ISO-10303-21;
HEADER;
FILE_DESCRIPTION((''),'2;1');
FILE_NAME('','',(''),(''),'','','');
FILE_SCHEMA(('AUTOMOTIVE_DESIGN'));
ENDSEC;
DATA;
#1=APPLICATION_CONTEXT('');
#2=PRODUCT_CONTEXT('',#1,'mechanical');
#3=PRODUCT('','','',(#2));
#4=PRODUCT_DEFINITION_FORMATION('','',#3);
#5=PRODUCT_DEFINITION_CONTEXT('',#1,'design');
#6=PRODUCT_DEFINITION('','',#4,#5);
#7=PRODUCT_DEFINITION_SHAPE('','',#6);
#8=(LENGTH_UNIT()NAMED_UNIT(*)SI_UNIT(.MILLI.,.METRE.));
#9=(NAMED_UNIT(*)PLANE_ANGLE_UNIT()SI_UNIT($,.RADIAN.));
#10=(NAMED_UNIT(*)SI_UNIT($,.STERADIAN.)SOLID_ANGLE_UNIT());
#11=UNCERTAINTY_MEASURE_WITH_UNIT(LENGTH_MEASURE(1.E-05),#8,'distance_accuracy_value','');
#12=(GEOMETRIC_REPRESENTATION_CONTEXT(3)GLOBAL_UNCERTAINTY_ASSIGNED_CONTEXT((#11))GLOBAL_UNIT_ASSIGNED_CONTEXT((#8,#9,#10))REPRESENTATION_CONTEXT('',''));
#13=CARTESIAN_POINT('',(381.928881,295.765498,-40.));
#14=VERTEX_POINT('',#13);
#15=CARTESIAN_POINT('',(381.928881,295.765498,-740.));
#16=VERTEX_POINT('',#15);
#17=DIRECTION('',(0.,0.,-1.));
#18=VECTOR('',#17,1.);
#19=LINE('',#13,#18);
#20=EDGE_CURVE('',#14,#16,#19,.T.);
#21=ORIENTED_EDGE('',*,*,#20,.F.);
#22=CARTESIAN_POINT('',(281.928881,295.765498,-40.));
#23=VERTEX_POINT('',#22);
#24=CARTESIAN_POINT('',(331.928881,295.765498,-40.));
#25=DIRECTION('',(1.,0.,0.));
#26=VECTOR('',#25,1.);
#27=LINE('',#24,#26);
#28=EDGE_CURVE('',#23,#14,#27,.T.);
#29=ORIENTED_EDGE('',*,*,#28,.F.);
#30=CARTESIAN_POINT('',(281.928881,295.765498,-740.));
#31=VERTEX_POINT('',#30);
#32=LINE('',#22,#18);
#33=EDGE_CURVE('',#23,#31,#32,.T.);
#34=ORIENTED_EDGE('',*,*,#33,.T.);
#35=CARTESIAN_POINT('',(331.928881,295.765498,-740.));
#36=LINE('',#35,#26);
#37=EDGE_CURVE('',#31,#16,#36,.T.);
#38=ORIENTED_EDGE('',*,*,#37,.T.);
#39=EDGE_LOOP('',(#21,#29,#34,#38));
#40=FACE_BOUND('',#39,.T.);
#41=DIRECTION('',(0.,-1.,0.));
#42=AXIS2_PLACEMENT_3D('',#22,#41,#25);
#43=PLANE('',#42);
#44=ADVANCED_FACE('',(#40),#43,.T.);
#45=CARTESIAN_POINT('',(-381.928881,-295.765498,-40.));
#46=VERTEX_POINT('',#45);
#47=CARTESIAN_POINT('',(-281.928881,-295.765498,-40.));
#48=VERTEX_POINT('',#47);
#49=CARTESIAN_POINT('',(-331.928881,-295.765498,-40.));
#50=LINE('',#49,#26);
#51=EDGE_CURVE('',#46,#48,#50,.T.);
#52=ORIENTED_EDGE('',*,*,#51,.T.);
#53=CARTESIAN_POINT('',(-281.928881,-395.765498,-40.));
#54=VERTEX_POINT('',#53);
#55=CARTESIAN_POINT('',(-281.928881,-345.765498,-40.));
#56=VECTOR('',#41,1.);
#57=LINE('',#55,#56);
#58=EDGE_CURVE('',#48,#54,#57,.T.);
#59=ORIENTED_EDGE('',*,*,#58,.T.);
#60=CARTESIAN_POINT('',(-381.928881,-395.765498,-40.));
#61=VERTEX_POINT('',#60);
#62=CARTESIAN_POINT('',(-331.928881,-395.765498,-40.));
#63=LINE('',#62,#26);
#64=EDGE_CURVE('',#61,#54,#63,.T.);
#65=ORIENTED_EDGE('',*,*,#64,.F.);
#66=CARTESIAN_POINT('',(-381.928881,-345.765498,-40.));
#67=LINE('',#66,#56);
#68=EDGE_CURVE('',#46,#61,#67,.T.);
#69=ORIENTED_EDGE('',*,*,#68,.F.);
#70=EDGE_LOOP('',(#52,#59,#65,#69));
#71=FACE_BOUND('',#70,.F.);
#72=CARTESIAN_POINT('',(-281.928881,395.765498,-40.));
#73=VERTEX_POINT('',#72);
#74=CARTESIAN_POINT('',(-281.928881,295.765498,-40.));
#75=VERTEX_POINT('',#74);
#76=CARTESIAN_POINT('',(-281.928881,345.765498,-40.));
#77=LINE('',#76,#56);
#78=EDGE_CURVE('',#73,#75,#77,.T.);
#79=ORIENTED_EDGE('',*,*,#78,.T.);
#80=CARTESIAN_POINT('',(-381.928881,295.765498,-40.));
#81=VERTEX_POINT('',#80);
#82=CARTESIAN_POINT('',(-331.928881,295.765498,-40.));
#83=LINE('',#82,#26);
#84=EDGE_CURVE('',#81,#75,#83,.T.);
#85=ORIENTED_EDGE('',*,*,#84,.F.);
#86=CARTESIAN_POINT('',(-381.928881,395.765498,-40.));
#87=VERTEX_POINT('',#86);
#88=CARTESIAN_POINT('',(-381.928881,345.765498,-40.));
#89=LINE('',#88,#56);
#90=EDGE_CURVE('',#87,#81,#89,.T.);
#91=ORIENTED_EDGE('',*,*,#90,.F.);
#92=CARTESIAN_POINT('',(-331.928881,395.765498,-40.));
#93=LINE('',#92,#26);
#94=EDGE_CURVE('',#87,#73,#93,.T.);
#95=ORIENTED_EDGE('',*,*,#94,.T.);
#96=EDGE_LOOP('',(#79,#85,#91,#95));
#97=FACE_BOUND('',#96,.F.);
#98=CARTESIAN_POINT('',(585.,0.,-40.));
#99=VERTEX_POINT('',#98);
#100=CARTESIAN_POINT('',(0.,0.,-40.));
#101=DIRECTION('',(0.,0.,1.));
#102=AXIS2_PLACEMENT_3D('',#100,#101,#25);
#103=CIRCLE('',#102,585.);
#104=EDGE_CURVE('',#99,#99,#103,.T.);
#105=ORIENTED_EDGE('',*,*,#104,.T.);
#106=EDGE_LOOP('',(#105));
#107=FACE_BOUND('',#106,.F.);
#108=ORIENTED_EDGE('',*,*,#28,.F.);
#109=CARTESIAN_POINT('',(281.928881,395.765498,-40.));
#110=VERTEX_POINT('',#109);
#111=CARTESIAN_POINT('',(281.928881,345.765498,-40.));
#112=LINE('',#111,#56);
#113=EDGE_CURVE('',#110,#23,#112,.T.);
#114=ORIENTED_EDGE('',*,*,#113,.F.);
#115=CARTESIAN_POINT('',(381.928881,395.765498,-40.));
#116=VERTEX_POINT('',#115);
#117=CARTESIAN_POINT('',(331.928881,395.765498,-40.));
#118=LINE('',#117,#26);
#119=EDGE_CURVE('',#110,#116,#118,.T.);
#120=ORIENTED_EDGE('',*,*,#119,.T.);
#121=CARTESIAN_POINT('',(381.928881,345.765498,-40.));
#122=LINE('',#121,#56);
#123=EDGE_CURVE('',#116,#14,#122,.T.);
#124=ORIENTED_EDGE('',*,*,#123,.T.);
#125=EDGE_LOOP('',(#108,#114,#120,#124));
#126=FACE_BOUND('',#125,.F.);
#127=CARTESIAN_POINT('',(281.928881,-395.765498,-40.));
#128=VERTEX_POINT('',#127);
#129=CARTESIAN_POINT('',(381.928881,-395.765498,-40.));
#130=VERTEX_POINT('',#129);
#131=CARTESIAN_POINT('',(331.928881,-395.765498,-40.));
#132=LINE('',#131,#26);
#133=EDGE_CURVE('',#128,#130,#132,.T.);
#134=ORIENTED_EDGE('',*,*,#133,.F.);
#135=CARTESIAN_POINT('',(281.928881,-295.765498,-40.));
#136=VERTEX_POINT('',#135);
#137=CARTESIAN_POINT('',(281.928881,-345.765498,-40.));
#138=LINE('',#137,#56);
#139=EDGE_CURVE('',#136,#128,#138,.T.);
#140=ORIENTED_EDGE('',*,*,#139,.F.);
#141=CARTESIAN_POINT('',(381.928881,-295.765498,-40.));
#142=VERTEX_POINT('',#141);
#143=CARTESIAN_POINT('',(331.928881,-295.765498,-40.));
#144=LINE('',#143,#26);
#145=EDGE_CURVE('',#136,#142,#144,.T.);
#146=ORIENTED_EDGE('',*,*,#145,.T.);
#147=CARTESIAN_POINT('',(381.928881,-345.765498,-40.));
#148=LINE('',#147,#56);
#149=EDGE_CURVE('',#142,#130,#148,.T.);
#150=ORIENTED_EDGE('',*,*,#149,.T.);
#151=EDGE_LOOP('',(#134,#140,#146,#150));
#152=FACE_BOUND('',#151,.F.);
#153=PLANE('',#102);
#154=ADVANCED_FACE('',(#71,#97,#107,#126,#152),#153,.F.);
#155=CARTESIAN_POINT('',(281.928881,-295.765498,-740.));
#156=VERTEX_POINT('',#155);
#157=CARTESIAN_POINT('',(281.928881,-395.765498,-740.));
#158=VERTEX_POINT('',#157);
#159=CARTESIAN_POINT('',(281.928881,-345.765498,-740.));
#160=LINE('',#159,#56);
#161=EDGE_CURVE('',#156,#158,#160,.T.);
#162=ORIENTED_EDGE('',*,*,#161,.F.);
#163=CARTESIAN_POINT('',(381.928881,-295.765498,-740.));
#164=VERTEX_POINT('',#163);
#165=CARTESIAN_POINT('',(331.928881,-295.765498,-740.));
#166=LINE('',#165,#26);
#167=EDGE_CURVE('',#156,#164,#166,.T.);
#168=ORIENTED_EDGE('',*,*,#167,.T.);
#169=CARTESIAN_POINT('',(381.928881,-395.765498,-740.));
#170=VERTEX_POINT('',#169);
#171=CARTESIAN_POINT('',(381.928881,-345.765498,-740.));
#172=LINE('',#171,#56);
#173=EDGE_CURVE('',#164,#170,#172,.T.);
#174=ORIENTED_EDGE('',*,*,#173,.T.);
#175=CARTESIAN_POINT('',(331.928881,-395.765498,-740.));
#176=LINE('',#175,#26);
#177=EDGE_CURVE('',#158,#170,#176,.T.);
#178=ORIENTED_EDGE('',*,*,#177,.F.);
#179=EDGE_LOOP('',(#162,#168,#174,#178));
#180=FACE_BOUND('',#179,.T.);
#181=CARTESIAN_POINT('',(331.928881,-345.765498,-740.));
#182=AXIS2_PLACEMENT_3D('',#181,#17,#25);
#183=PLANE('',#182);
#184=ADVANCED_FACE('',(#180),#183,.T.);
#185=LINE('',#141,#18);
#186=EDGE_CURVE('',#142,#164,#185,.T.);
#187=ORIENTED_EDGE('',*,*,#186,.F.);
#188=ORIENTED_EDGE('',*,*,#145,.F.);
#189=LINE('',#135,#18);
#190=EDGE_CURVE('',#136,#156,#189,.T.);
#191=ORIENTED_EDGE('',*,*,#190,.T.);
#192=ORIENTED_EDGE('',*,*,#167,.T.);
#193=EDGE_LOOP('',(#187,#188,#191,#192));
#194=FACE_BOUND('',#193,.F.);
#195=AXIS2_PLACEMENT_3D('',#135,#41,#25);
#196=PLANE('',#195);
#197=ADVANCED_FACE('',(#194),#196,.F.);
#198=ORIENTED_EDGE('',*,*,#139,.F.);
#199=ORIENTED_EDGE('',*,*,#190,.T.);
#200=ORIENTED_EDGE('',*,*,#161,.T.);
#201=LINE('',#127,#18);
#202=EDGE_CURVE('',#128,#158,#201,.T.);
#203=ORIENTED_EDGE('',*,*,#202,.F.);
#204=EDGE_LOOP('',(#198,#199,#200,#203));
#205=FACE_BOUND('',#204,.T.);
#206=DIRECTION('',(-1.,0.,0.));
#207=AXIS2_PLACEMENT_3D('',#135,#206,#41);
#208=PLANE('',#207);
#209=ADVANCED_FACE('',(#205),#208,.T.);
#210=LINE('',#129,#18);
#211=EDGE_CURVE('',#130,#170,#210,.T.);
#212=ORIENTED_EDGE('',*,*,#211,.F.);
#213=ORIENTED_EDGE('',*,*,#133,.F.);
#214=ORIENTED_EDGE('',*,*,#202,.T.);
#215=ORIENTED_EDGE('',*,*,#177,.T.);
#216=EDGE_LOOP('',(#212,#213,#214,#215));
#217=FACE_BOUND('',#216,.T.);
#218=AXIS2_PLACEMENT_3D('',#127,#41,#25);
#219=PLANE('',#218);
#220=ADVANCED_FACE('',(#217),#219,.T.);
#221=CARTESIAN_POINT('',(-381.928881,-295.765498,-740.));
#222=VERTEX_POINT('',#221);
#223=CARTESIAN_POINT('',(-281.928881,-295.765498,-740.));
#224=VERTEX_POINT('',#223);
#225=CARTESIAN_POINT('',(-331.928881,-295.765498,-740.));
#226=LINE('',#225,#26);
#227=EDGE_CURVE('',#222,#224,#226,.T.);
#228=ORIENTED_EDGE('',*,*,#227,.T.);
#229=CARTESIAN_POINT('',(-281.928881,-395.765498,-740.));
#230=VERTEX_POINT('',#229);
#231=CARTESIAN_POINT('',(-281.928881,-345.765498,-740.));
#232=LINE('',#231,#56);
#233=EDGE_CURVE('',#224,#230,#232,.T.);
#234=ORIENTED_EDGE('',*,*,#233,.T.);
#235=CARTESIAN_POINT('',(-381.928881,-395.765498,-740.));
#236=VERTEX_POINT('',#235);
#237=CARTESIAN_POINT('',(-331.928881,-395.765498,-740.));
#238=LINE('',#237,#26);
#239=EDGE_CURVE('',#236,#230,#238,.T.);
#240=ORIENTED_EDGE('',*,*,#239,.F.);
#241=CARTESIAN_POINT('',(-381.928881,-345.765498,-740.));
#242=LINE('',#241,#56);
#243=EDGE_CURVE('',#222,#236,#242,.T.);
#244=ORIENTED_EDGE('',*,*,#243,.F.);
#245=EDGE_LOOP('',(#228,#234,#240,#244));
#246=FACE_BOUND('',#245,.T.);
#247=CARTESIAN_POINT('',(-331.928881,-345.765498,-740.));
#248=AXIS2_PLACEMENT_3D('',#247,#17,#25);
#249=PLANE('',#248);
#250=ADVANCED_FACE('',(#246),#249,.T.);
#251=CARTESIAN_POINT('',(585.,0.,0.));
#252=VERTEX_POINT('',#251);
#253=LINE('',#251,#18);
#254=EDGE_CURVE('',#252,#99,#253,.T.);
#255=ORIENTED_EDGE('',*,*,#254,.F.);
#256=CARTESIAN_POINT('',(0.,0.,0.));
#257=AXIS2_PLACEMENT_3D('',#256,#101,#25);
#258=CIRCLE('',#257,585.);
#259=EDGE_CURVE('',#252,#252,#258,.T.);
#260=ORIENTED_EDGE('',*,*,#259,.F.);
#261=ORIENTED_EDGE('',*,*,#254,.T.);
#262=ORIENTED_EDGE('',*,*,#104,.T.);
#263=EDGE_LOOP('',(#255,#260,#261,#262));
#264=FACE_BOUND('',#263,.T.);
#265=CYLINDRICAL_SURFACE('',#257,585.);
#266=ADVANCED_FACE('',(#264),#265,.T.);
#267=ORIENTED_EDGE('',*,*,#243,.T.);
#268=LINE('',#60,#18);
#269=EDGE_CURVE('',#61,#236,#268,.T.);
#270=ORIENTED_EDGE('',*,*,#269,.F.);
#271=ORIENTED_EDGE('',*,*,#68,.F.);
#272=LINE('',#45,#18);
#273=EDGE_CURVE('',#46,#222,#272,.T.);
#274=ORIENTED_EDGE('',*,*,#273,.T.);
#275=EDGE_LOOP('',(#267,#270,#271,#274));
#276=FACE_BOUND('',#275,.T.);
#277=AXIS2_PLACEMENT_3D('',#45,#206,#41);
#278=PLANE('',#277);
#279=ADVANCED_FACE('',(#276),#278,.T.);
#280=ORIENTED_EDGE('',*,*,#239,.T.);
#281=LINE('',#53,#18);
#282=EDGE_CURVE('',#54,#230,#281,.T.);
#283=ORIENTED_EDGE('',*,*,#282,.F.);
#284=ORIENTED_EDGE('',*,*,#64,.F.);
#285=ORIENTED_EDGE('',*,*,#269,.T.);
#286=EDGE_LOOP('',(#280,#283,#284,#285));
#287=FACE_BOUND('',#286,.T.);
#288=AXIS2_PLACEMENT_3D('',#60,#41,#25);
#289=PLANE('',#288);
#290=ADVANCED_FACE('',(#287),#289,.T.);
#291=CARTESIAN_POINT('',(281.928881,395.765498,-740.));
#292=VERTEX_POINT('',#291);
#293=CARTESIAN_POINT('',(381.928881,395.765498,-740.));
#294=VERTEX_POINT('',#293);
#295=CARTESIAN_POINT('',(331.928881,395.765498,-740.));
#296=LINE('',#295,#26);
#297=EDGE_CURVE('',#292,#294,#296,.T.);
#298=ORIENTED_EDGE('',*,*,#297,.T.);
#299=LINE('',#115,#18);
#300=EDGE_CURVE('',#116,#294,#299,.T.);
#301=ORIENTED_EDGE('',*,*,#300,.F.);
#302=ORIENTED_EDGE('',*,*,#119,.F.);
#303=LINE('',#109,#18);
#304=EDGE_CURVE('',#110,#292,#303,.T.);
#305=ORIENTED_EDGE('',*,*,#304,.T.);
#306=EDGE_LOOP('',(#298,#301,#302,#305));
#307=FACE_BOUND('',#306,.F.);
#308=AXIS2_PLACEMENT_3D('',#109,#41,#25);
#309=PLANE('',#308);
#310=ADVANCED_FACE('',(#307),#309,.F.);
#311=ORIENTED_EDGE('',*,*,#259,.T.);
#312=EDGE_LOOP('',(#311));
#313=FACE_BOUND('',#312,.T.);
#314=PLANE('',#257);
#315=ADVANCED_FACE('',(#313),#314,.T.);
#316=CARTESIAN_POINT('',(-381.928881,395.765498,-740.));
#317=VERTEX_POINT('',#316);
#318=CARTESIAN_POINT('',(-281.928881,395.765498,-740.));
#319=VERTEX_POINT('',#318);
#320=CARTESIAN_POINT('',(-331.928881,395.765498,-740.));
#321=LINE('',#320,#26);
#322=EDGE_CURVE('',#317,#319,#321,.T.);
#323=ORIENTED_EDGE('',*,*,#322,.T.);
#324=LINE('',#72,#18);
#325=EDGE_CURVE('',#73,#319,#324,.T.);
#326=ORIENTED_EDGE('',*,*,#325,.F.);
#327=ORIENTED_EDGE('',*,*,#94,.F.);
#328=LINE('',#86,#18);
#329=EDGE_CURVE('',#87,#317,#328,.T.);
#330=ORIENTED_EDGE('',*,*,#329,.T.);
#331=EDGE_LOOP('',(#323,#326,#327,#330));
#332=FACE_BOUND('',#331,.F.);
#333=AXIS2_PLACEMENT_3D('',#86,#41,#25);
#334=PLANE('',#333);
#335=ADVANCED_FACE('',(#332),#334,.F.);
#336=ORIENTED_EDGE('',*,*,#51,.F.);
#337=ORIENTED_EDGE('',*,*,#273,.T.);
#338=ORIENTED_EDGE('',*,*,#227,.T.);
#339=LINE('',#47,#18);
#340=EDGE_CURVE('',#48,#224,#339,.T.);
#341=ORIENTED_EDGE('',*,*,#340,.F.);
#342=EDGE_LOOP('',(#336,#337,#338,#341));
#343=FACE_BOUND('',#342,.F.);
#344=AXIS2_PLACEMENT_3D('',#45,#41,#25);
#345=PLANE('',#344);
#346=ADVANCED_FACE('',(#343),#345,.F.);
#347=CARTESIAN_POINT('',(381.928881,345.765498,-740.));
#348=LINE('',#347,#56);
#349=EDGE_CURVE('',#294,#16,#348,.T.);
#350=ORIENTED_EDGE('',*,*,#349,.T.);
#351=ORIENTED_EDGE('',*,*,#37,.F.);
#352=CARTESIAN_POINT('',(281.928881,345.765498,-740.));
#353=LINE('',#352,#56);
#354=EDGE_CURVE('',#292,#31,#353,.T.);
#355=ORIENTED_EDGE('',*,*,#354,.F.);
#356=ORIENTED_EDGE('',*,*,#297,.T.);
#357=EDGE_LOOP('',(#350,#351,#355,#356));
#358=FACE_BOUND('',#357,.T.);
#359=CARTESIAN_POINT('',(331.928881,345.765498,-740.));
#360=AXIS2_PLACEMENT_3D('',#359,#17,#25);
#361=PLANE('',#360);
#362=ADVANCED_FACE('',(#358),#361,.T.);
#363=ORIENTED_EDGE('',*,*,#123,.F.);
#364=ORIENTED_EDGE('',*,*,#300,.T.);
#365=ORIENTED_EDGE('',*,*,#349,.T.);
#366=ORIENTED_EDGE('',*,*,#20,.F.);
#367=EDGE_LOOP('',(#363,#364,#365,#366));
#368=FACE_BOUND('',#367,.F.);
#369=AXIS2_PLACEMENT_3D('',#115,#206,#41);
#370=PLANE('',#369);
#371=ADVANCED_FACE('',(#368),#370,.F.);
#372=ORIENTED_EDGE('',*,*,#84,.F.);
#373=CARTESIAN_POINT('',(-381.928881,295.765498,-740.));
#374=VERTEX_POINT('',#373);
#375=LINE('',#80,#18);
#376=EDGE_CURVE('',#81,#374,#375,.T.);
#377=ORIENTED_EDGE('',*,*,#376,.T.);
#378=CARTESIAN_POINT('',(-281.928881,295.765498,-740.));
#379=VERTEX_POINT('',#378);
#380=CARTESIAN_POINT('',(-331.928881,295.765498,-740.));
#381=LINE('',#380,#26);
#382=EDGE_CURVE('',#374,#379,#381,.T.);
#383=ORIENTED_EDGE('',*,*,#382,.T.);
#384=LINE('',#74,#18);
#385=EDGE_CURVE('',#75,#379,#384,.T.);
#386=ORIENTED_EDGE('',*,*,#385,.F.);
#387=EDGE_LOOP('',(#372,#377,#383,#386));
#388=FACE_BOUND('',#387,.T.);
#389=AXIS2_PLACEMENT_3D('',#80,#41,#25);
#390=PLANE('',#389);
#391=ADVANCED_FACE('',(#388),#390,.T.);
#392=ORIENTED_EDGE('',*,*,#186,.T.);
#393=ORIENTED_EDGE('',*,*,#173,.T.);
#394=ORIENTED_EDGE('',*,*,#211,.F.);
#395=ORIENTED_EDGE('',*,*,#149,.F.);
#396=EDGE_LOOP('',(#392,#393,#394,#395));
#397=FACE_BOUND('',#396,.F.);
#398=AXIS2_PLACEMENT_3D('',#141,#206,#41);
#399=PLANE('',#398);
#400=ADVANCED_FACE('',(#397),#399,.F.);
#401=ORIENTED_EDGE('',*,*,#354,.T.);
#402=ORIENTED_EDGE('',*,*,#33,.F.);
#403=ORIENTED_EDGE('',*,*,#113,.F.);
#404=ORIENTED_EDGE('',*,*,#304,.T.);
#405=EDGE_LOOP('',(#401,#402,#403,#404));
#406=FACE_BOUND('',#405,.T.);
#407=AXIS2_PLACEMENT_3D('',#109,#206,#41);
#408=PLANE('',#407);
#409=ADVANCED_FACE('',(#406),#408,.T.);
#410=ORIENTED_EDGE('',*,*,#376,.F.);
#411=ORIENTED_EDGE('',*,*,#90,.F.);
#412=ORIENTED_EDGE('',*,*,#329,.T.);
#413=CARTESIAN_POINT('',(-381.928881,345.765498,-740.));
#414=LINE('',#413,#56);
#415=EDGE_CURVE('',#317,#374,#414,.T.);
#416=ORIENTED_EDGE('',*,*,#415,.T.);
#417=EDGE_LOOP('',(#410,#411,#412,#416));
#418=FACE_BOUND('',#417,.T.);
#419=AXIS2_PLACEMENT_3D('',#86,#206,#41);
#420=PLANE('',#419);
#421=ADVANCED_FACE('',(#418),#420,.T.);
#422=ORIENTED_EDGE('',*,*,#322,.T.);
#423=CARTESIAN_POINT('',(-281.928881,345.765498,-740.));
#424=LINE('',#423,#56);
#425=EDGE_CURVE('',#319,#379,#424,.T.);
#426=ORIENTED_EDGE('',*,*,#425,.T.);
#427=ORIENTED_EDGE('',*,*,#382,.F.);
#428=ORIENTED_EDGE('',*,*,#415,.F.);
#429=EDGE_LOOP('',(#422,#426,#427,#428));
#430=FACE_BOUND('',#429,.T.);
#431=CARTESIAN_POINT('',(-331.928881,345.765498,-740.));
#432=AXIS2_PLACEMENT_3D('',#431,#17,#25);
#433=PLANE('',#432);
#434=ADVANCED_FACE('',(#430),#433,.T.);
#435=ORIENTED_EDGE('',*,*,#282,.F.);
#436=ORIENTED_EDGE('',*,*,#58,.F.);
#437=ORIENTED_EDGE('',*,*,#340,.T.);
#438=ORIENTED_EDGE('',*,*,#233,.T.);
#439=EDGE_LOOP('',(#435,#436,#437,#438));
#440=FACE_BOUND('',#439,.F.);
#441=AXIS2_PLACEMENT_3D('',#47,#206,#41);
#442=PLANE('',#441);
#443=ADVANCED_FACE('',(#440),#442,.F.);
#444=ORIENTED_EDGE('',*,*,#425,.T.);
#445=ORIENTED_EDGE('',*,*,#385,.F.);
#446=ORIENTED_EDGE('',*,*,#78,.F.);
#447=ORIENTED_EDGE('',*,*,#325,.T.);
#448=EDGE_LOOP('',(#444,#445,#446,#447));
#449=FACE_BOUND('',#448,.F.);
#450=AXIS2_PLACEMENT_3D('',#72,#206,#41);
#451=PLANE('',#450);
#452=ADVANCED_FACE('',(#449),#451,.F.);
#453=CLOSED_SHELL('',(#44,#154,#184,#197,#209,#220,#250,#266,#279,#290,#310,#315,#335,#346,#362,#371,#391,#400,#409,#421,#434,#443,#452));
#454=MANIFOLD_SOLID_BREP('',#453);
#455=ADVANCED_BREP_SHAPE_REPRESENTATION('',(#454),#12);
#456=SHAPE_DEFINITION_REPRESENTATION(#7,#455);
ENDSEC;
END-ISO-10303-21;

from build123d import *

# Parameters (mm, degrees)
F0_R     = 585
F1_DEPTH = 40
F2_W     = 100
F2_H     = 100
F3_DEPTH = 700


with BuildPart() as f1:
    # F0 (on Top) → F1 (new body)
    with BuildSketch(Plane.XY):
        Circle(F0_R)
    extrude(amount=-F1_DEPTH)

    # F2 (on face) → F3 (join)
    with BuildSketch(Plane(origin=(0, 0, -40), x_dir=(1, 0, 0), z_dir=(0, 0, -1))):
        with Locations((331.928881, 345.765498)):
            Rectangle(F2_W, F2_H)
        with Locations((-331.928881, 345.765498)):
            Rectangle(F2_W, F2_H)
        with Locations((331.928881, -345.765498)):
            Rectangle(F2_W, F2_H)
        with Locations((-331.928881, -345.765498)):
            Rectangle(F2_W, F2_H)
    extrude(amount=F3_DEPTH)


solid = f1.part
